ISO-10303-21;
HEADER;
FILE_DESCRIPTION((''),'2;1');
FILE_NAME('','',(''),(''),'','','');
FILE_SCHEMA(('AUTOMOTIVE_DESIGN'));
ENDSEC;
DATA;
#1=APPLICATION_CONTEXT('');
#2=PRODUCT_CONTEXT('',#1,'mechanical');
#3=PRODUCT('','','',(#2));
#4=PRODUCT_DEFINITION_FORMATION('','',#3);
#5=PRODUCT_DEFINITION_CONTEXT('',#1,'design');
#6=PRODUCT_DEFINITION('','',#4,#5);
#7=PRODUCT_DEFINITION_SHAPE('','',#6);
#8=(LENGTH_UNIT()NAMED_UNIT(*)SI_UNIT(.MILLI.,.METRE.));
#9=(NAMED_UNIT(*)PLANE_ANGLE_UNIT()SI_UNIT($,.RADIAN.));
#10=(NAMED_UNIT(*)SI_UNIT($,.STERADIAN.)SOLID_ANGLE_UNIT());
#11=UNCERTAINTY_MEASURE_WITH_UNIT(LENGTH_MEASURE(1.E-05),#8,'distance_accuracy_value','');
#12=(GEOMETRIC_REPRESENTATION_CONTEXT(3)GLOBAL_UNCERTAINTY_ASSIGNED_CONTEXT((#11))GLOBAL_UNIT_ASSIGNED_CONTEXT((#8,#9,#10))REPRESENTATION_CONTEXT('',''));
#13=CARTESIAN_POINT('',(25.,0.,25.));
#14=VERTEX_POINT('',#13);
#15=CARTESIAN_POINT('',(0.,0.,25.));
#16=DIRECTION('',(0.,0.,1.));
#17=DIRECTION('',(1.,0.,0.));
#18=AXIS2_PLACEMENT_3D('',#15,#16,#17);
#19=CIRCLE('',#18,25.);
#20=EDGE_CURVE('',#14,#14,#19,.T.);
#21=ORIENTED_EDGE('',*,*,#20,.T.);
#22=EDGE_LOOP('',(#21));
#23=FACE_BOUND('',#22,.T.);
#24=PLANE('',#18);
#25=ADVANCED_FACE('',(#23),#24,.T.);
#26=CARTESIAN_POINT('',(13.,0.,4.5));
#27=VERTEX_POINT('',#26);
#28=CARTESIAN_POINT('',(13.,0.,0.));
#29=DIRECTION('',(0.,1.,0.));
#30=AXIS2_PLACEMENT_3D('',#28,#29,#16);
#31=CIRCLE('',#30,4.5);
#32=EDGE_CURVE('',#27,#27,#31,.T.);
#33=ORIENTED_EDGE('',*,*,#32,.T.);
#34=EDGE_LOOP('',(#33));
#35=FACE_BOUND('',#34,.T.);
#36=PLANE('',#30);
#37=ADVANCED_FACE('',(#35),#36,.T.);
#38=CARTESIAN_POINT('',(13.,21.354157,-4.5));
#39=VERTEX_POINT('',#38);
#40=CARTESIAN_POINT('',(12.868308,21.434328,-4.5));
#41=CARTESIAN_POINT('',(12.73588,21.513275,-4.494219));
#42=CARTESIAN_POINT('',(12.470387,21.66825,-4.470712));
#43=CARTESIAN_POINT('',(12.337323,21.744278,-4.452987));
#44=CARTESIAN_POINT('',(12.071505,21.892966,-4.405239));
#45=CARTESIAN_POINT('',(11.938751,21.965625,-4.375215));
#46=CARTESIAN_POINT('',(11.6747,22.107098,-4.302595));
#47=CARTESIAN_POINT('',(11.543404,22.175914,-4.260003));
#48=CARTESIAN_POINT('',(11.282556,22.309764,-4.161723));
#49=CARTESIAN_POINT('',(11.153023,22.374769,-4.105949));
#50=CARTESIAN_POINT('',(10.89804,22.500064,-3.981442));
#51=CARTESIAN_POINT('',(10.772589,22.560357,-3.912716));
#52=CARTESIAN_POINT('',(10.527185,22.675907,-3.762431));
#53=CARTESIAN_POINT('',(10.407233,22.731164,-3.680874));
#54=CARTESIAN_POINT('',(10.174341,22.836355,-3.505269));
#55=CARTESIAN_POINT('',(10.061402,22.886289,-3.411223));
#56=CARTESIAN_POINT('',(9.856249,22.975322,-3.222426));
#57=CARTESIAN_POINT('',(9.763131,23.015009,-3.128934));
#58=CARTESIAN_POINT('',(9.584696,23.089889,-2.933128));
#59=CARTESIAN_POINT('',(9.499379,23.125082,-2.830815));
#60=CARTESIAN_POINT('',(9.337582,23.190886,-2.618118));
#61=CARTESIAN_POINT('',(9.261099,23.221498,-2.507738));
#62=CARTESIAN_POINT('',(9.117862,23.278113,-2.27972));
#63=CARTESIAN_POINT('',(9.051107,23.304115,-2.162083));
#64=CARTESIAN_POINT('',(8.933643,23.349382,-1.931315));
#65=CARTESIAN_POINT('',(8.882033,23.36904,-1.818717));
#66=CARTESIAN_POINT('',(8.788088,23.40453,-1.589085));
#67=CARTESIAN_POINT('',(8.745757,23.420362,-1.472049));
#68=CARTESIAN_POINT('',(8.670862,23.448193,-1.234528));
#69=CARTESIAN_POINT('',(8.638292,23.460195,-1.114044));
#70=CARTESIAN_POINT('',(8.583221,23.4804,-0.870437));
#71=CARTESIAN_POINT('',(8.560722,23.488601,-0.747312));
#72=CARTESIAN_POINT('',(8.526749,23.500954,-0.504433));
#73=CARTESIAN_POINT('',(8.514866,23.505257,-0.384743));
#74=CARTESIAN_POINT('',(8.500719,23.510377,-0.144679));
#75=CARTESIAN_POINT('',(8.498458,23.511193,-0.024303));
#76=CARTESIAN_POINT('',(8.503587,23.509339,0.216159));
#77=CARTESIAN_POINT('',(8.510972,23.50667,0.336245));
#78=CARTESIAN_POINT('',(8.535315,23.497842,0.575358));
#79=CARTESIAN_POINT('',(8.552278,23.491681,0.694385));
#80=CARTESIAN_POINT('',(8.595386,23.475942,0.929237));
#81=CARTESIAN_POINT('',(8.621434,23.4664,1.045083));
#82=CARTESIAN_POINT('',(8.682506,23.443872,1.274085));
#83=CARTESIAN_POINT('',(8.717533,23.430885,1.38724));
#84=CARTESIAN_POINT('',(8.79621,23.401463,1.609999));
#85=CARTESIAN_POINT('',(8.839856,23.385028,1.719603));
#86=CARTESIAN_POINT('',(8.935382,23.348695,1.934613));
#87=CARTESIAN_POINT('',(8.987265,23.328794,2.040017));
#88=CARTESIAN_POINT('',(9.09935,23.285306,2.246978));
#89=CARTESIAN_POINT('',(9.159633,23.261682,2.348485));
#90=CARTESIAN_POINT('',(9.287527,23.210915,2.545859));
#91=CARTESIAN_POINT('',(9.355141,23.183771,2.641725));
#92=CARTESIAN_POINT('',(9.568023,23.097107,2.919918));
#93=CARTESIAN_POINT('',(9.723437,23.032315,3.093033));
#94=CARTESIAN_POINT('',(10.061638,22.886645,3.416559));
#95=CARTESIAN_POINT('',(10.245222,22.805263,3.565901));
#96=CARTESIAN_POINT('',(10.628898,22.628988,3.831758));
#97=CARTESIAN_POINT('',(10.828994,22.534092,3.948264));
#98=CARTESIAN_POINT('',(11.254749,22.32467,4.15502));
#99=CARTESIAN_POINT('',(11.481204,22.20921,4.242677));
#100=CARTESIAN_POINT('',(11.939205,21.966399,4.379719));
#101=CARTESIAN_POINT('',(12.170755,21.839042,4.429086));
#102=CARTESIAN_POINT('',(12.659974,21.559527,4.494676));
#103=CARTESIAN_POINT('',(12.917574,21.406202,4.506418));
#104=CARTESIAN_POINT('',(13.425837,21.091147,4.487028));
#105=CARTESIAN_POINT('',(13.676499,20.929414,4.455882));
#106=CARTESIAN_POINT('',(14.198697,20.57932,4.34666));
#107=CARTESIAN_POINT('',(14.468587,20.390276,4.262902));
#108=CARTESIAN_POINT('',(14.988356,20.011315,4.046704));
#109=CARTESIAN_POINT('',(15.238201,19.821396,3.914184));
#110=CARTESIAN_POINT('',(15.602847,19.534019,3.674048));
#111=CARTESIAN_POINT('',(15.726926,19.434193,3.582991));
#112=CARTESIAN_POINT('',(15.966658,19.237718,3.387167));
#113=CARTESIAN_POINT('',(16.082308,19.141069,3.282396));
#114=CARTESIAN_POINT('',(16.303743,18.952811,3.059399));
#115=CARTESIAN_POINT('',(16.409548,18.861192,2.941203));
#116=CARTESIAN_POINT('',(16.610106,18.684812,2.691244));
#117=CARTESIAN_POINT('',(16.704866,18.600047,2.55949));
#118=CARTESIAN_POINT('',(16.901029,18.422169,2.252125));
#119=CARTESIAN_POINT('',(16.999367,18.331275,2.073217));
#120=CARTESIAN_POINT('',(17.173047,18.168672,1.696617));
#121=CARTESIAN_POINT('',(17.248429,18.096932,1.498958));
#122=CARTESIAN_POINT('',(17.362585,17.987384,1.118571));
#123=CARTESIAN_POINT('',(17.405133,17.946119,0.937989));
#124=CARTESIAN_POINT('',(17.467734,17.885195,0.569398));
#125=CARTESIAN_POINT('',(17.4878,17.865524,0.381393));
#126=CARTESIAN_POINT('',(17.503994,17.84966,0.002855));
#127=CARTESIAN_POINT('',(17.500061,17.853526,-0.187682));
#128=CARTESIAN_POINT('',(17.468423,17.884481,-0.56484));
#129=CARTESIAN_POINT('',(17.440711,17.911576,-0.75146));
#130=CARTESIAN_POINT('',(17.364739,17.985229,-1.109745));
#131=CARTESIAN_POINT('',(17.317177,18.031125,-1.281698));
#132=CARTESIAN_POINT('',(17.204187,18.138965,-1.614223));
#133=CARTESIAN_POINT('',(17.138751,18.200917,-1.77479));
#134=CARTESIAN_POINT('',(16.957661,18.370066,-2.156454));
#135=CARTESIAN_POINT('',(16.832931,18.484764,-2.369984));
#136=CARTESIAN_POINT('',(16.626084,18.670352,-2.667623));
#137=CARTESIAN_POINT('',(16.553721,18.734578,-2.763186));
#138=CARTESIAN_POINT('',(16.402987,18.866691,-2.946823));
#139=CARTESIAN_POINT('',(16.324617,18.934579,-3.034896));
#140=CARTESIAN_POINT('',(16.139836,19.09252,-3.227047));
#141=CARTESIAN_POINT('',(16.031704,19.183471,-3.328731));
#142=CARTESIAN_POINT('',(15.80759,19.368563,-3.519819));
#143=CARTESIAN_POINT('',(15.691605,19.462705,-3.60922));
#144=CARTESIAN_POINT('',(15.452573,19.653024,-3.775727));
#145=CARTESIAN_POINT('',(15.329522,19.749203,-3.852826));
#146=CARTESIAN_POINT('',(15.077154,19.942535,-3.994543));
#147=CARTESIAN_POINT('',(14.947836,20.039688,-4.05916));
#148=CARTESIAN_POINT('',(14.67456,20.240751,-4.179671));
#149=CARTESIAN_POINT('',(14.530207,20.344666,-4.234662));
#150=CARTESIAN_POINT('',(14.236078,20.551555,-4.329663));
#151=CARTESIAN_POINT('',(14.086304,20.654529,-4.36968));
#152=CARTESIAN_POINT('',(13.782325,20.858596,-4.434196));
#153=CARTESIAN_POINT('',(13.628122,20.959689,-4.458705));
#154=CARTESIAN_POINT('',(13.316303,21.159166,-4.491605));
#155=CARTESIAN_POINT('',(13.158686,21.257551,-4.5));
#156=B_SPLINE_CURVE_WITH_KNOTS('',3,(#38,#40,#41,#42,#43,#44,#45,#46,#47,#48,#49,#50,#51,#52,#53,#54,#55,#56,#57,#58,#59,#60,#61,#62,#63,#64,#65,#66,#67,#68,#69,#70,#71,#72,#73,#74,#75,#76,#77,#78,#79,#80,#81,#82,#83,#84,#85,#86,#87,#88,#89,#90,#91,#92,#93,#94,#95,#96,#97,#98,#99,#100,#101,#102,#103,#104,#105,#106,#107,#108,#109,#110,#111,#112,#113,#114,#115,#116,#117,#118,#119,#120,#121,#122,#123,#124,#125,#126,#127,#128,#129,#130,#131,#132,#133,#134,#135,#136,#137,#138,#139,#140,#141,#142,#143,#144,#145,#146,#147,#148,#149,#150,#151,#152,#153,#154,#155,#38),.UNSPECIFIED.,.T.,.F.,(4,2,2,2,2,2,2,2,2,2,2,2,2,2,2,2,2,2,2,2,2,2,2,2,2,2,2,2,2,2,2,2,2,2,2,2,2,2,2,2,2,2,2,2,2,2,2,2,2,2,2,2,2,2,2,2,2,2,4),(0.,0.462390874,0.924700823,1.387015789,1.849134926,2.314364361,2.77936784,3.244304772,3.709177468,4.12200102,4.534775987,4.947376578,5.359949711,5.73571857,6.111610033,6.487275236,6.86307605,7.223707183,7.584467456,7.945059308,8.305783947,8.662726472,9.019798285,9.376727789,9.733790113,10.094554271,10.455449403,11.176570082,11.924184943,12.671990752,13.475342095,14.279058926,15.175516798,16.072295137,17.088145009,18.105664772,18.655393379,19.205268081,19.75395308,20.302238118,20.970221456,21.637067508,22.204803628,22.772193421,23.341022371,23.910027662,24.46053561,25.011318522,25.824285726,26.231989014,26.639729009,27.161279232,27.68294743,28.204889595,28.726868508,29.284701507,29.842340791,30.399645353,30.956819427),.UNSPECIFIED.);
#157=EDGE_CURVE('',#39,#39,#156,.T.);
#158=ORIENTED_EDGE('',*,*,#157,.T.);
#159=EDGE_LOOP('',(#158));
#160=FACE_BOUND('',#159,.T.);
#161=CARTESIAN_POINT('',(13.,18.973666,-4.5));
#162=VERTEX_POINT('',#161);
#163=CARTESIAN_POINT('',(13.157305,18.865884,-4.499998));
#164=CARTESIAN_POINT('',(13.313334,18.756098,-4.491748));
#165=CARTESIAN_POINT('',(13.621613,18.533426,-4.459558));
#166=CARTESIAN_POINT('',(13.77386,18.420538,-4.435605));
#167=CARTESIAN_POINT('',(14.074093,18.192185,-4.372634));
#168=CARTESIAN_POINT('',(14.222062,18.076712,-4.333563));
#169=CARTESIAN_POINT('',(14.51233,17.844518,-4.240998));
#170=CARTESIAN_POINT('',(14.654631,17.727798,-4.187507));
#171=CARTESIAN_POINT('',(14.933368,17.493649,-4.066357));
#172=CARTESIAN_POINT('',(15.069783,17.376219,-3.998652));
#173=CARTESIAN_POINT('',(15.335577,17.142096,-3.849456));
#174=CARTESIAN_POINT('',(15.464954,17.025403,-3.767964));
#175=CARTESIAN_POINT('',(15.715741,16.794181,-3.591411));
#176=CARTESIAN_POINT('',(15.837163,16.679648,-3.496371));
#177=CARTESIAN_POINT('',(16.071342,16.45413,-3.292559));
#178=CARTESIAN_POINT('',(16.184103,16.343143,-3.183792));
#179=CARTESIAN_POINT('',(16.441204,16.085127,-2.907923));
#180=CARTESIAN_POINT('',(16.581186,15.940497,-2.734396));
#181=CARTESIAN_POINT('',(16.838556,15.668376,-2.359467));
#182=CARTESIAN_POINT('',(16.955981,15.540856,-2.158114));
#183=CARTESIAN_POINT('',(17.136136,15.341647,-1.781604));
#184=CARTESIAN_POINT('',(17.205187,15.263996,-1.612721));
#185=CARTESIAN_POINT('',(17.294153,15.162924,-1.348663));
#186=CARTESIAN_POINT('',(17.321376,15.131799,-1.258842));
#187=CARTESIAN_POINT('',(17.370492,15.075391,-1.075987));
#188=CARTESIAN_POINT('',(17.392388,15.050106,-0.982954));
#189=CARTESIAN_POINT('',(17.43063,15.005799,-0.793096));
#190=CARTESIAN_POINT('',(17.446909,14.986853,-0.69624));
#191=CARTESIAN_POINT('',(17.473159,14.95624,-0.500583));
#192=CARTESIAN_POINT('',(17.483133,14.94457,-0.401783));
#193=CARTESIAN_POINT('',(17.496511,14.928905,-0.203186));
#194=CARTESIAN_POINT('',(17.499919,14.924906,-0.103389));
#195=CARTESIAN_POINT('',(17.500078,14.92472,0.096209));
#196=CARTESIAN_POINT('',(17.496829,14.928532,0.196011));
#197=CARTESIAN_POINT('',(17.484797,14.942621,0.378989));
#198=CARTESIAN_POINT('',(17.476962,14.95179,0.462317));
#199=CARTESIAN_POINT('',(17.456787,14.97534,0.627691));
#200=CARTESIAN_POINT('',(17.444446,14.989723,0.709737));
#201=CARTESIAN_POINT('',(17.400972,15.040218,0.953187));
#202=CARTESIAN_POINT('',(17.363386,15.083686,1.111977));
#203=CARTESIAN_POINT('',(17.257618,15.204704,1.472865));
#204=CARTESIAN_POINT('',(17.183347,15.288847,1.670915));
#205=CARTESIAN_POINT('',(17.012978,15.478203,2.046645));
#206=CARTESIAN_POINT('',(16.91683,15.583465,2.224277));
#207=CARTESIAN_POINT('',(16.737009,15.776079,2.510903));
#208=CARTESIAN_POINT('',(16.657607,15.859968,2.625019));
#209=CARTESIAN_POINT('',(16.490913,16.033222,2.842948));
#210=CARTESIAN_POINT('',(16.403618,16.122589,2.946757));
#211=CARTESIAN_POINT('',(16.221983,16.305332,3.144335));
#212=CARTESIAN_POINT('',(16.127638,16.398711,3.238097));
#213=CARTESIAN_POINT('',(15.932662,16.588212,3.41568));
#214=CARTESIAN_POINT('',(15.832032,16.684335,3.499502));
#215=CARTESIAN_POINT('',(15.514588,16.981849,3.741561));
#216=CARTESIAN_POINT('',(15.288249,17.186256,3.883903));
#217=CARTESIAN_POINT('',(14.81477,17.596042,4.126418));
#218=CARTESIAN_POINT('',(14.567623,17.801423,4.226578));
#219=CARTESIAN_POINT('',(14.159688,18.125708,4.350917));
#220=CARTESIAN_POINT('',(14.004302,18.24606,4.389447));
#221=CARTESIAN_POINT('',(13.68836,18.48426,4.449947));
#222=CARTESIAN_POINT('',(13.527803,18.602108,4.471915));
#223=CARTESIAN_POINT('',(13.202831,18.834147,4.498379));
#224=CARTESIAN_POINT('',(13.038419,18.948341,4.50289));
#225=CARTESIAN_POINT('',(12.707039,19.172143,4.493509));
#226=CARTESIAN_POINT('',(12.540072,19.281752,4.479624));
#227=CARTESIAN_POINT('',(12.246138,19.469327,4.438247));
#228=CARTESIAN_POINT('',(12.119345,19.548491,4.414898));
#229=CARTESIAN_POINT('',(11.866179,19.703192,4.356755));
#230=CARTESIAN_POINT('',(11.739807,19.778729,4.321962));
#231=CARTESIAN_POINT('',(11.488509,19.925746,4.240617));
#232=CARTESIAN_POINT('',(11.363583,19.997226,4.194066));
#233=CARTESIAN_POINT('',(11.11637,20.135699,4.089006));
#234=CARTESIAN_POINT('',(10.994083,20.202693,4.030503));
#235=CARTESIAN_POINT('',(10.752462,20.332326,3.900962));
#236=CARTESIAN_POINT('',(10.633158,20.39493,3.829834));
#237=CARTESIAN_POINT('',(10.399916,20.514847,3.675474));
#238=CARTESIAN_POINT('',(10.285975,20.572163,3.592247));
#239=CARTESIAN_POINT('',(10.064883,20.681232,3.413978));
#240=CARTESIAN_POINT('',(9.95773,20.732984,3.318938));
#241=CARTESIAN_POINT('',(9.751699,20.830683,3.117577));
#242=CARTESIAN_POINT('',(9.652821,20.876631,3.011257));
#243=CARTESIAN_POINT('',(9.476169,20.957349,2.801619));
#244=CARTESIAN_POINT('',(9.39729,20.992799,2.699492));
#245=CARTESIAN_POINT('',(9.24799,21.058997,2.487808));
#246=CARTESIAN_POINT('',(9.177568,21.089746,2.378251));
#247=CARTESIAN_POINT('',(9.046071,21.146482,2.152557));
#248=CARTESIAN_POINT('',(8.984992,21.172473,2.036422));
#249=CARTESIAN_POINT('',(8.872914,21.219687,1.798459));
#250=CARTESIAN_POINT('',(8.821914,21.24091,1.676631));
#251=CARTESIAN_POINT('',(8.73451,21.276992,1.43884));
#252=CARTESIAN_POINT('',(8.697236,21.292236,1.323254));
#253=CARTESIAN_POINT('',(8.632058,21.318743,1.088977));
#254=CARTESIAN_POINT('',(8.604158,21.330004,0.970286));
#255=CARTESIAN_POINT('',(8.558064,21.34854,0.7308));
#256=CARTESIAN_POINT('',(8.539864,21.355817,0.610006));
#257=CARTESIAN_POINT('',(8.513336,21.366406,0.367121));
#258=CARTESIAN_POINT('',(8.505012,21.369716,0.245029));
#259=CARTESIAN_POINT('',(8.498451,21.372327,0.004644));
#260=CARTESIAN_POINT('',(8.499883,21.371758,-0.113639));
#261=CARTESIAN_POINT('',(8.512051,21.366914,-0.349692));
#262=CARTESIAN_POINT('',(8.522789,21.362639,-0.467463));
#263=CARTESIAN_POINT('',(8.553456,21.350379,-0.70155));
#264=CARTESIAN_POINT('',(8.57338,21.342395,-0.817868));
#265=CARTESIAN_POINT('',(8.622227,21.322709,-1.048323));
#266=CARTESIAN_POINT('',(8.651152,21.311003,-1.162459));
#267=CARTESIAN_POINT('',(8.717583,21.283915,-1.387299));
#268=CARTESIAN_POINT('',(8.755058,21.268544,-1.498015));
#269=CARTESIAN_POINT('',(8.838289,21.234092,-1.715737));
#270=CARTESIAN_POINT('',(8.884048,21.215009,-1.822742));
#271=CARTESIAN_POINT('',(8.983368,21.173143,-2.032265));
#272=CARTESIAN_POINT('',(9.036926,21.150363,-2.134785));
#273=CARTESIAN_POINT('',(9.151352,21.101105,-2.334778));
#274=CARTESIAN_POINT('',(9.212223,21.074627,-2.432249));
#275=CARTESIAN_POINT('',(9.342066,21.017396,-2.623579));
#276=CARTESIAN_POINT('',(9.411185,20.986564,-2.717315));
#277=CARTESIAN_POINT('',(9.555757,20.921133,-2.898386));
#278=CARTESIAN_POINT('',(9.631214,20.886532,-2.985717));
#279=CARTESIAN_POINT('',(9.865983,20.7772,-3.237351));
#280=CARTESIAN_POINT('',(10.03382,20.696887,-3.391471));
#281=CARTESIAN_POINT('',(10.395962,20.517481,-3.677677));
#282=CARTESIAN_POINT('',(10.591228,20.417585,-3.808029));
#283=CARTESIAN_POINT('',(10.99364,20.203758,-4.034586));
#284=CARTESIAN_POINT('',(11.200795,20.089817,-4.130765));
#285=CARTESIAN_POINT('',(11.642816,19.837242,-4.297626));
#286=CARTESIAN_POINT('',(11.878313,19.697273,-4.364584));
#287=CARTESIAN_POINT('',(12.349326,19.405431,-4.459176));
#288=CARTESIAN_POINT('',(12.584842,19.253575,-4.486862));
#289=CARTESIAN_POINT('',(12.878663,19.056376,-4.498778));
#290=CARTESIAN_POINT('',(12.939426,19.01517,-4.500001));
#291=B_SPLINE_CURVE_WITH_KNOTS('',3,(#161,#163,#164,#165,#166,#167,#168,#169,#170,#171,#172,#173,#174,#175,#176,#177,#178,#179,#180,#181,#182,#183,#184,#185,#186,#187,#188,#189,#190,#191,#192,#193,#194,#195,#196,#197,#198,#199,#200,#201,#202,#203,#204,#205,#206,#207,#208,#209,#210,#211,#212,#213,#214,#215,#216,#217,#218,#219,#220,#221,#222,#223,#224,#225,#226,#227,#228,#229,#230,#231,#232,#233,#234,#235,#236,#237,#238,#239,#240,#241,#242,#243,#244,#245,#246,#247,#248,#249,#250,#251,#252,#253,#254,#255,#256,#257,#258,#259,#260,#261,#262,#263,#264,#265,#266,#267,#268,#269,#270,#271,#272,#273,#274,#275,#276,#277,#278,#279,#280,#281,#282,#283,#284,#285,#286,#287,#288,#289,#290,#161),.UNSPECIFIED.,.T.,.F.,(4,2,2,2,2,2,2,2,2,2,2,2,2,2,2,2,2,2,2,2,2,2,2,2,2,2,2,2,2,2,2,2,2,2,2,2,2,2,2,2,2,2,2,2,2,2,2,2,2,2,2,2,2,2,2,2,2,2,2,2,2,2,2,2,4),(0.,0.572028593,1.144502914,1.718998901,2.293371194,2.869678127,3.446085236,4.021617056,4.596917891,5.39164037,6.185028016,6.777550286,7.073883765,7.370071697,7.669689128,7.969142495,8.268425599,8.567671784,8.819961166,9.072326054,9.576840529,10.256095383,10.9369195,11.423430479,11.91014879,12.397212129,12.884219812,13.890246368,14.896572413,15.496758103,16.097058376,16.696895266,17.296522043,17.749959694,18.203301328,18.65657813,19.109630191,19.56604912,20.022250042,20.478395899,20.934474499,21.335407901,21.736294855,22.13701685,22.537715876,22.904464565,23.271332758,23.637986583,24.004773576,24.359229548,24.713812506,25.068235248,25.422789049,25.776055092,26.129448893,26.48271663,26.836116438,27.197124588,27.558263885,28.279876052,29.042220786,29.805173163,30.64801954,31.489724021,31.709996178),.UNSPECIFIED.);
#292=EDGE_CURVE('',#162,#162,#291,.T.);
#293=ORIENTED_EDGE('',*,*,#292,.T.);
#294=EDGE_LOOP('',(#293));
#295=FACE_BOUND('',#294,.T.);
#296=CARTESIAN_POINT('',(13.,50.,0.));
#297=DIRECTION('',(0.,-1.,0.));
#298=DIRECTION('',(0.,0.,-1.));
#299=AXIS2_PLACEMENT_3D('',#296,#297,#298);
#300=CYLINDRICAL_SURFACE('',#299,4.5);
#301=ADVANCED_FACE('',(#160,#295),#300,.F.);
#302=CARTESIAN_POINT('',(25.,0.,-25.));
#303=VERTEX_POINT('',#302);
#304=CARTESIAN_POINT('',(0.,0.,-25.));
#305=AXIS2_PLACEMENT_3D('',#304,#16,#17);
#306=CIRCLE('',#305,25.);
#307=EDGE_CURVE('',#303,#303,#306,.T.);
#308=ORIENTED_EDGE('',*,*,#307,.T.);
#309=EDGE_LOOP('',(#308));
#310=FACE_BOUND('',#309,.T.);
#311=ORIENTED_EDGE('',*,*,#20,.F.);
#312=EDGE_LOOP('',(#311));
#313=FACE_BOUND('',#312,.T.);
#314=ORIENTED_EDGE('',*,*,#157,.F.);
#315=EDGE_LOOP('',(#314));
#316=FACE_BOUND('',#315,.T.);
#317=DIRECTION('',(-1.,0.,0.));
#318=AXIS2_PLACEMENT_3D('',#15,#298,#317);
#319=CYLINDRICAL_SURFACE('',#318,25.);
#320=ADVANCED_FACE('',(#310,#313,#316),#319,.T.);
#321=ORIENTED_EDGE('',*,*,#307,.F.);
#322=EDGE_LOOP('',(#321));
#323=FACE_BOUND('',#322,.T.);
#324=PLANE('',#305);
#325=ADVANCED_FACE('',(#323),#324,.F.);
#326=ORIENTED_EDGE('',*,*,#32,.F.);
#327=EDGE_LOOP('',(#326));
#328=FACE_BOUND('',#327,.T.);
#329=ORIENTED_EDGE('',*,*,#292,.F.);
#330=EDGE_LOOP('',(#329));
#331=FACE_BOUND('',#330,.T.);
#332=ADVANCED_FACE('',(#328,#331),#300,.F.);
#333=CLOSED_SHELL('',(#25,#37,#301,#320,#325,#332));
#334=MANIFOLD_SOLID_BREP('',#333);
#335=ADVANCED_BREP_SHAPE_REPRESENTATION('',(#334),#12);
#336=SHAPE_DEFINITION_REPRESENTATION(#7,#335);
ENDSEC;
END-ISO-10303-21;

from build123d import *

# Parameters (mm, degrees)
SKIZZE1_R                       = 25
AUFSATZ_LINEAR_AUSTRAGEN1_DEPTH = 25
SKIZZE2_R                       = 4.5
SCHNITT_LINEAR_AUSTRAGEN1_DEPTH = 50


with BuildPart() as part:
    # Skizze1 → Aufsatz-Linear austragen1 (new body, symmetric)
    with BuildSketch(Plane.XY):
        Circle(SKIZZE1_R)
    extrude(amount=AUFSATZ_LINEAR_AUSTRAGEN1_DEPTH, both=True)

    # Skizze2 → Schnitt-Linear austragen1 (cut)
    with BuildSketch(Plane(origin=(0, 0, 0), x_dir=(1, 0, 0), z_dir=(0, 1, 0))):
        with Locations(Location((13, 0, 0), (0, 0, 90))):  # turned: the seam where the file's is
            Circle(SKIZZE2_R)
    extrude(amount=SCHNITT_LINEAR_AUSTRAGEN1_DEPTH, mode=Mode.SUBTRACT)


solid = part.part
